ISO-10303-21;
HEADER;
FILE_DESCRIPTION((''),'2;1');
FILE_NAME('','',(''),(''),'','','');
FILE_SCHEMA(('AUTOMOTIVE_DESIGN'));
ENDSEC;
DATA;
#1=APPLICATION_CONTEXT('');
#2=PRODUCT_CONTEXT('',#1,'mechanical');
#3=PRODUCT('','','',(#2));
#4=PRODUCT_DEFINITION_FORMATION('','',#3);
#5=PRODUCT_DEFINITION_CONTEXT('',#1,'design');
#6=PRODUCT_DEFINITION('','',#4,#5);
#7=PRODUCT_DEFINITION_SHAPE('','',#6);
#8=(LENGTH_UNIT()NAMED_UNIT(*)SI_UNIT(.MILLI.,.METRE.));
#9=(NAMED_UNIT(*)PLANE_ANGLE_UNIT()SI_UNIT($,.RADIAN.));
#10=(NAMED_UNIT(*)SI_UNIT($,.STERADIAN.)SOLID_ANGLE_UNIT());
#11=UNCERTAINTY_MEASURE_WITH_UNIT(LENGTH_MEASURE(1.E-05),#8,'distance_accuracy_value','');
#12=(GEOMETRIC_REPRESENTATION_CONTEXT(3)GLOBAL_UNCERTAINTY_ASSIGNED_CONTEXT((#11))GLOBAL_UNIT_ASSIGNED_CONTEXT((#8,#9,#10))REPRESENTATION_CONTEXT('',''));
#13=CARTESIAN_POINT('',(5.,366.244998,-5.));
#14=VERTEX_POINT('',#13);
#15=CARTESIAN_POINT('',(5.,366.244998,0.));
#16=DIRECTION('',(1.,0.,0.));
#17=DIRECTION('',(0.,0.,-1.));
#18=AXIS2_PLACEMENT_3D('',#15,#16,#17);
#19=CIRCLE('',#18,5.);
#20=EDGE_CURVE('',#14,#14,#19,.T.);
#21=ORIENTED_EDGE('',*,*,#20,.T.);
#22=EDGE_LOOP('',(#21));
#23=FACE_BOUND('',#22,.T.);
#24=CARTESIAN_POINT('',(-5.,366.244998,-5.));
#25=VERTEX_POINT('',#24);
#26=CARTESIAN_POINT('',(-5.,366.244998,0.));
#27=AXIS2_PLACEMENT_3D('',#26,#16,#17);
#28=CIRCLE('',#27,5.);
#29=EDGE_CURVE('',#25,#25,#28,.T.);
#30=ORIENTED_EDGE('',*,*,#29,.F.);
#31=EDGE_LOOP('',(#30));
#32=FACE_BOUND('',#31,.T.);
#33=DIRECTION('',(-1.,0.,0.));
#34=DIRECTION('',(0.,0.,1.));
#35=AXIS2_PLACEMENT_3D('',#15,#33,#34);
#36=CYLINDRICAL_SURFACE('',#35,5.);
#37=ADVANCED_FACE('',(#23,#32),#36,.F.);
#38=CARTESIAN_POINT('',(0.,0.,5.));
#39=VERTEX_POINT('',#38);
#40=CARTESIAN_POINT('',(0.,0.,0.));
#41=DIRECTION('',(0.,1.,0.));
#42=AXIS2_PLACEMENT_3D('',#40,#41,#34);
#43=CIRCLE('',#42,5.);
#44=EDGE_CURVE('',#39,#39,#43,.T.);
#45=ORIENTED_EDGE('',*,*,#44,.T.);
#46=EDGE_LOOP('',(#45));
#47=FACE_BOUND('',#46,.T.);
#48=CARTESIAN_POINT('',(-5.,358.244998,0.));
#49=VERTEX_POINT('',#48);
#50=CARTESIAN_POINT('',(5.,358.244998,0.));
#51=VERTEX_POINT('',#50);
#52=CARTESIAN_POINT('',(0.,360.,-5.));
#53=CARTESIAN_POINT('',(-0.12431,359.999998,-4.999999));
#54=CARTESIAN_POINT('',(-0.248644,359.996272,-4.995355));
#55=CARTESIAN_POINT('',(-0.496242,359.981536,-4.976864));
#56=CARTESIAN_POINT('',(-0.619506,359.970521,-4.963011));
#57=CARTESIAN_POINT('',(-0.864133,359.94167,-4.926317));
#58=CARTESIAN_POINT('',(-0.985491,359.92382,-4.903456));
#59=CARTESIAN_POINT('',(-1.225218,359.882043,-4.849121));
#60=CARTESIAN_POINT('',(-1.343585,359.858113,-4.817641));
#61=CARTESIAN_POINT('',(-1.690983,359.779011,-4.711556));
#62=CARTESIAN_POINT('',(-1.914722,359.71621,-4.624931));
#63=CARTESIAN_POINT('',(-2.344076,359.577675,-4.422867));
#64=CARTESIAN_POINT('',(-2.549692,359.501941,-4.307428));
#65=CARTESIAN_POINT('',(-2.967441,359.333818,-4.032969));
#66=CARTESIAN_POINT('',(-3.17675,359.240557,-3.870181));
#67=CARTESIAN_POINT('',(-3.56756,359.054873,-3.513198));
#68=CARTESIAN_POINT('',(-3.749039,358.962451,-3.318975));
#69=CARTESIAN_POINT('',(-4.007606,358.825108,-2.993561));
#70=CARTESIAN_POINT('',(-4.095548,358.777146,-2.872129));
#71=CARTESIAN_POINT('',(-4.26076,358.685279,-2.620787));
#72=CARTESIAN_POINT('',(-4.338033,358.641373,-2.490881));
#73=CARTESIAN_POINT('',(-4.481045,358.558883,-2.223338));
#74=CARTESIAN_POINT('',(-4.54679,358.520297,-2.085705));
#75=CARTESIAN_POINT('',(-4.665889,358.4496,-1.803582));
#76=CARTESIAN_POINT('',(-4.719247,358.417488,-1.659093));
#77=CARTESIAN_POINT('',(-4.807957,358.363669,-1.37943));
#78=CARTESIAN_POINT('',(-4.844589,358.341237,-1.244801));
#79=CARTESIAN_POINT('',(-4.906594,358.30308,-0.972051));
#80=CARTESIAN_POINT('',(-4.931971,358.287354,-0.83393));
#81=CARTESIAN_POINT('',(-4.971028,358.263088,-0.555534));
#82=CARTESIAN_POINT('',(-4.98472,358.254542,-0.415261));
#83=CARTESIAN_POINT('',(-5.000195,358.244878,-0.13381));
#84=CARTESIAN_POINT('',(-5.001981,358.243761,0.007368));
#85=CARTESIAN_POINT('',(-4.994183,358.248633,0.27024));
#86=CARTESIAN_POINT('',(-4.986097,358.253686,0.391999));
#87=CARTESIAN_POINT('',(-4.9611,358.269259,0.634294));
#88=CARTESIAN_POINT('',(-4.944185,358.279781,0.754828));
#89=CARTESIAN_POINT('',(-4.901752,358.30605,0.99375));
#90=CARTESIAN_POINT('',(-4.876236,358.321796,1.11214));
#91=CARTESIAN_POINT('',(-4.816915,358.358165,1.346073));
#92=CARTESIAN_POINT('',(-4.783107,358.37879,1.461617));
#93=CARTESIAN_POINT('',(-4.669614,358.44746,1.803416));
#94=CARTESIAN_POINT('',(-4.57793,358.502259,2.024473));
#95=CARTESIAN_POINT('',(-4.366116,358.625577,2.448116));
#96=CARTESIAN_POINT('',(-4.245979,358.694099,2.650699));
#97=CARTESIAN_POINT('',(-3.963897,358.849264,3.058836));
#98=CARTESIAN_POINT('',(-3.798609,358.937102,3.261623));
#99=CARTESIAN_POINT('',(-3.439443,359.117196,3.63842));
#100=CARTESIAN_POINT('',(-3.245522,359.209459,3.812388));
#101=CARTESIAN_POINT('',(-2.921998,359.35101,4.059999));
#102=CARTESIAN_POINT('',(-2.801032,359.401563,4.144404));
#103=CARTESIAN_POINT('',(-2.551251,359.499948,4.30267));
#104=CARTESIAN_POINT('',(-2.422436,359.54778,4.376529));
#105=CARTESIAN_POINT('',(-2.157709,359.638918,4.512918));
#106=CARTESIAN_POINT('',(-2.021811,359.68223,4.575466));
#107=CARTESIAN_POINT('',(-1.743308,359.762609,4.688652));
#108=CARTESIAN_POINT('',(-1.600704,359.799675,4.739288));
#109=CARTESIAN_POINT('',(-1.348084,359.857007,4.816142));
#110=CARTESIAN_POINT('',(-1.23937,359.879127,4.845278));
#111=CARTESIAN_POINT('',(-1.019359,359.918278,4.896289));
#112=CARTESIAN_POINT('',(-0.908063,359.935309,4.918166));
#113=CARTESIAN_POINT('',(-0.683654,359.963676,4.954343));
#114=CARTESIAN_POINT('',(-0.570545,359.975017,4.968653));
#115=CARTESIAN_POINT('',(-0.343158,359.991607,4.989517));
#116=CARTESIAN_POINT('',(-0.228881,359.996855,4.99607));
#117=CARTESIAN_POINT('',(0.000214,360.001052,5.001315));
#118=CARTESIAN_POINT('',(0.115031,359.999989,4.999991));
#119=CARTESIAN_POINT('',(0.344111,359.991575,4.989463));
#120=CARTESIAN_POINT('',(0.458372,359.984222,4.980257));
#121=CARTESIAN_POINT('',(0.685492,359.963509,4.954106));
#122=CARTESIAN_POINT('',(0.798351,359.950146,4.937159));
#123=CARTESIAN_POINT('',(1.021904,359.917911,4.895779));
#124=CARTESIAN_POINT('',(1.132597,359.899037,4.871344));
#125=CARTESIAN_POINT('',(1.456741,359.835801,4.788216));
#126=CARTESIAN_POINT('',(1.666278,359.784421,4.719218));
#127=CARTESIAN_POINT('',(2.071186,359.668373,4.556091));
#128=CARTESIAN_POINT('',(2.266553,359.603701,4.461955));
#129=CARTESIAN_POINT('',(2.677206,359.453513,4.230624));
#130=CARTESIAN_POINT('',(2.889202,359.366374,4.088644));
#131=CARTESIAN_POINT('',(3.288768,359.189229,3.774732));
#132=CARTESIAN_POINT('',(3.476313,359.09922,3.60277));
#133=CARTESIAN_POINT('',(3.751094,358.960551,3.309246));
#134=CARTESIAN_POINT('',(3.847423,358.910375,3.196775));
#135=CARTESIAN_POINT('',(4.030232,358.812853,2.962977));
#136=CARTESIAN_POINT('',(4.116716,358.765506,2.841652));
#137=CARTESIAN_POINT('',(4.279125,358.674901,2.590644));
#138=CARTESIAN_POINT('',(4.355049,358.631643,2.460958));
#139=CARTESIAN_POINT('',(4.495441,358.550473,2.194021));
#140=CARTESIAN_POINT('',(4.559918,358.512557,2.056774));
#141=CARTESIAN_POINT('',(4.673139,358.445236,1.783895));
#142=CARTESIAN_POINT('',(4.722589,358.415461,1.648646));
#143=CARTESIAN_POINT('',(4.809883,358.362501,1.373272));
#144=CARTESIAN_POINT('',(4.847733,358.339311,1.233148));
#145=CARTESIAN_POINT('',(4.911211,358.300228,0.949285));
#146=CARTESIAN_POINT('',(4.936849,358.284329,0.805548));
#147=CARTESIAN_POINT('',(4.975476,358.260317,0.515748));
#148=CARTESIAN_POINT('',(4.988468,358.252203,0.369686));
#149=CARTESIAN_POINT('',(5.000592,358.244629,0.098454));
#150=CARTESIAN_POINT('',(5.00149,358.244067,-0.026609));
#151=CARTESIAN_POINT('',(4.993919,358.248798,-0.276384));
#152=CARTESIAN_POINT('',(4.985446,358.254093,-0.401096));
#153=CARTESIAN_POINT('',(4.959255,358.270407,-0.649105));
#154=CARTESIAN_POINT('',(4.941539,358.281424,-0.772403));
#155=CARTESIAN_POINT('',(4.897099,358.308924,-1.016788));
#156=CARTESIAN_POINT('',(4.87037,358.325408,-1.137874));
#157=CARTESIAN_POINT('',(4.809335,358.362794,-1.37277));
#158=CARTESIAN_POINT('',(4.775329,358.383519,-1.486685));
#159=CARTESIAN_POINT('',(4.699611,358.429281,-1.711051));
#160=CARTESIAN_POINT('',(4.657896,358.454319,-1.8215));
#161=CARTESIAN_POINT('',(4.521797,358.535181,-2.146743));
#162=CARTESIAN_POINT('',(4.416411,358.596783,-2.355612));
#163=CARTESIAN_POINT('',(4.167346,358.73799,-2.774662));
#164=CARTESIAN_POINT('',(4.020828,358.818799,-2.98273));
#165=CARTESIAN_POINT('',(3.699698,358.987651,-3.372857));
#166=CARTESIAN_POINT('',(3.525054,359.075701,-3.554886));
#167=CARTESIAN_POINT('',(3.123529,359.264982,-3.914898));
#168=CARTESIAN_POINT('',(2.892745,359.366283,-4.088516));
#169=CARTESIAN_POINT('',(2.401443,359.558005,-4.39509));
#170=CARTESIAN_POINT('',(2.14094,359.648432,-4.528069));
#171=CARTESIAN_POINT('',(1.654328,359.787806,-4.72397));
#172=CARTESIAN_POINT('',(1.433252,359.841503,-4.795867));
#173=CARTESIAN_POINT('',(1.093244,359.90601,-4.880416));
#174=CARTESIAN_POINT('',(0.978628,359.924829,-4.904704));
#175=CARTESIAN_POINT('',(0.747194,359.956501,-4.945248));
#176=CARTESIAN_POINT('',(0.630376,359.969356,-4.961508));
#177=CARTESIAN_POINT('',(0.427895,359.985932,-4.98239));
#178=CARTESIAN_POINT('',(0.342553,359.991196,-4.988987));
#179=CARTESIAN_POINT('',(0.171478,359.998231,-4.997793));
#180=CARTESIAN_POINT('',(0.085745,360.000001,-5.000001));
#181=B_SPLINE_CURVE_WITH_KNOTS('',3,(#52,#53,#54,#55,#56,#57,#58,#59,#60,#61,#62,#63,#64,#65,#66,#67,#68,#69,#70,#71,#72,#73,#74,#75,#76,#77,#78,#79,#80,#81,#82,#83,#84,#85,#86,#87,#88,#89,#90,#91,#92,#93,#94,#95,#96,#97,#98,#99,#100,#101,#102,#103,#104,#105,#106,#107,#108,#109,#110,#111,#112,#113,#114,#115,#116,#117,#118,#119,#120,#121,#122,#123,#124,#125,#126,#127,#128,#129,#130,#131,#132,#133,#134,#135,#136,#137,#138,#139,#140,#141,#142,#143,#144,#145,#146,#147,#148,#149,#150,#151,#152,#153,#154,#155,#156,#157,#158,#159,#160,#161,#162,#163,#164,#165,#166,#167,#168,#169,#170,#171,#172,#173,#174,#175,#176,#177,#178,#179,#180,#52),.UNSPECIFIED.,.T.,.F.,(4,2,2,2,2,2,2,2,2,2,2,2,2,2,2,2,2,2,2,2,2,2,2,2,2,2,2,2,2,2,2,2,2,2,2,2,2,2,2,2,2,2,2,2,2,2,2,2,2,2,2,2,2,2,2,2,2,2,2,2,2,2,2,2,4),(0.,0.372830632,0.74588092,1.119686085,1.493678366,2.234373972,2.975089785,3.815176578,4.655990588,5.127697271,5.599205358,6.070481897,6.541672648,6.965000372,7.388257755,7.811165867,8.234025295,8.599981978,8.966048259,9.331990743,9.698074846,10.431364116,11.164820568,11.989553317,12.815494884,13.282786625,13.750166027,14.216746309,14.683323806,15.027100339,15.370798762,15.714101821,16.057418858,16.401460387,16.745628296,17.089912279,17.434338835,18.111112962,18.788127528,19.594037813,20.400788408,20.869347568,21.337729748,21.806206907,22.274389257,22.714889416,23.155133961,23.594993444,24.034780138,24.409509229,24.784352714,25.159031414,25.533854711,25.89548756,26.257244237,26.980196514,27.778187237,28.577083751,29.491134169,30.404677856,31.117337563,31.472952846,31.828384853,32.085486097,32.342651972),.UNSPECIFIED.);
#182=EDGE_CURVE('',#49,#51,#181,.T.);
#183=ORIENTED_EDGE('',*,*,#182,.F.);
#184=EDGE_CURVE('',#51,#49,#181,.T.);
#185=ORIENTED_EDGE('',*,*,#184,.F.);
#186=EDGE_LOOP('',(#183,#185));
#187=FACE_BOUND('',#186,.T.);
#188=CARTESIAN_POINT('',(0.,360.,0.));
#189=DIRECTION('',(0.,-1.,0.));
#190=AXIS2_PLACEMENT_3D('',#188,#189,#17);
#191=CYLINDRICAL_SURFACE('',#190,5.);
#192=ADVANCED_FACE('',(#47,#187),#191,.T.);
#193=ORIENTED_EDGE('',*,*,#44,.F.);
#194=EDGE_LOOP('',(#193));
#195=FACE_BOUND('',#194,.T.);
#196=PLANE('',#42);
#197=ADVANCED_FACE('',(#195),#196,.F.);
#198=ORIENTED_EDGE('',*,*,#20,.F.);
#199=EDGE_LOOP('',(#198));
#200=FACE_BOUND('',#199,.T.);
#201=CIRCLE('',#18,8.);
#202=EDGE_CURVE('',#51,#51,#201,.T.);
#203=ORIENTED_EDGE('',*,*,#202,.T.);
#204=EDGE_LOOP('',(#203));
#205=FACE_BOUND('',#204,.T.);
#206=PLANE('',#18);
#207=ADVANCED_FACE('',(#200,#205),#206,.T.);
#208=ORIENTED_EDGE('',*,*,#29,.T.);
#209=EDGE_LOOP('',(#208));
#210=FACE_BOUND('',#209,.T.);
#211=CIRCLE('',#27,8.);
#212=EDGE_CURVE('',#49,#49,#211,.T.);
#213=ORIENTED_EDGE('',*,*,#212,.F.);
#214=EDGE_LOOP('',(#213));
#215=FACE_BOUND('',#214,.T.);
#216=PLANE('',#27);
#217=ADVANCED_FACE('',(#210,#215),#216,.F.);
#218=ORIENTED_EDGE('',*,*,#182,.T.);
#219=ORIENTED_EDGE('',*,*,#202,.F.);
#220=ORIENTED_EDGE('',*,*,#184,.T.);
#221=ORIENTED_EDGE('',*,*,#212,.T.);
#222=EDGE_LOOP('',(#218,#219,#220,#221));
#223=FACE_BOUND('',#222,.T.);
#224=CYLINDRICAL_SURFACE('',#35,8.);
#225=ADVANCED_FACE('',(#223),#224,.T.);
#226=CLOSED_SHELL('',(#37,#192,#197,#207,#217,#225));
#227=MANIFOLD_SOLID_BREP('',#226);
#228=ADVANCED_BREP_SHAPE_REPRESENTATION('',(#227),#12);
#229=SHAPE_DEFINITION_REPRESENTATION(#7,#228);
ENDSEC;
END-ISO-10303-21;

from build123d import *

# Parameters (mm, degrees)
SKETCH1_R           = 5
BOSS_EXTRUDE1_DEPTH = 360
SKETCH2_R           = 8
SKETCH2_R_2         = 5
BOSS_EXTRUDE2_DEPTH = 5


with BuildPart() as part:
    # Sketch1 → Boss-Extrude1 (new body)
    with BuildSketch(Plane(origin=(0, 0, 0), x_dir=(1, 0, 0), z_dir=(0, 1, 0))):
        with Locations(Location((0, 0, 0), (0, 0, 90))):
            Circle(SKETCH1_R)
    extrude(amount=BOSS_EXTRUDE1_DEPTH)

    # Sketch2 → Boss-Extrude2 (add, symmetric)
    with BuildSketch(Plane(origin=(0, 0, 0), x_dir=(0, 0, -1), z_dir=(1, 0, 0))):
        with Locations((0, 366.244997998)):
            Circle(SKETCH2_R)
        with Locations((0, 366.244997998)):
            Circle(SKETCH2_R_2, mode=Mode.SUBTRACT)
    extrude(amount=BOSS_EXTRUDE2_DEPTH, both=True)


solid = part.part
